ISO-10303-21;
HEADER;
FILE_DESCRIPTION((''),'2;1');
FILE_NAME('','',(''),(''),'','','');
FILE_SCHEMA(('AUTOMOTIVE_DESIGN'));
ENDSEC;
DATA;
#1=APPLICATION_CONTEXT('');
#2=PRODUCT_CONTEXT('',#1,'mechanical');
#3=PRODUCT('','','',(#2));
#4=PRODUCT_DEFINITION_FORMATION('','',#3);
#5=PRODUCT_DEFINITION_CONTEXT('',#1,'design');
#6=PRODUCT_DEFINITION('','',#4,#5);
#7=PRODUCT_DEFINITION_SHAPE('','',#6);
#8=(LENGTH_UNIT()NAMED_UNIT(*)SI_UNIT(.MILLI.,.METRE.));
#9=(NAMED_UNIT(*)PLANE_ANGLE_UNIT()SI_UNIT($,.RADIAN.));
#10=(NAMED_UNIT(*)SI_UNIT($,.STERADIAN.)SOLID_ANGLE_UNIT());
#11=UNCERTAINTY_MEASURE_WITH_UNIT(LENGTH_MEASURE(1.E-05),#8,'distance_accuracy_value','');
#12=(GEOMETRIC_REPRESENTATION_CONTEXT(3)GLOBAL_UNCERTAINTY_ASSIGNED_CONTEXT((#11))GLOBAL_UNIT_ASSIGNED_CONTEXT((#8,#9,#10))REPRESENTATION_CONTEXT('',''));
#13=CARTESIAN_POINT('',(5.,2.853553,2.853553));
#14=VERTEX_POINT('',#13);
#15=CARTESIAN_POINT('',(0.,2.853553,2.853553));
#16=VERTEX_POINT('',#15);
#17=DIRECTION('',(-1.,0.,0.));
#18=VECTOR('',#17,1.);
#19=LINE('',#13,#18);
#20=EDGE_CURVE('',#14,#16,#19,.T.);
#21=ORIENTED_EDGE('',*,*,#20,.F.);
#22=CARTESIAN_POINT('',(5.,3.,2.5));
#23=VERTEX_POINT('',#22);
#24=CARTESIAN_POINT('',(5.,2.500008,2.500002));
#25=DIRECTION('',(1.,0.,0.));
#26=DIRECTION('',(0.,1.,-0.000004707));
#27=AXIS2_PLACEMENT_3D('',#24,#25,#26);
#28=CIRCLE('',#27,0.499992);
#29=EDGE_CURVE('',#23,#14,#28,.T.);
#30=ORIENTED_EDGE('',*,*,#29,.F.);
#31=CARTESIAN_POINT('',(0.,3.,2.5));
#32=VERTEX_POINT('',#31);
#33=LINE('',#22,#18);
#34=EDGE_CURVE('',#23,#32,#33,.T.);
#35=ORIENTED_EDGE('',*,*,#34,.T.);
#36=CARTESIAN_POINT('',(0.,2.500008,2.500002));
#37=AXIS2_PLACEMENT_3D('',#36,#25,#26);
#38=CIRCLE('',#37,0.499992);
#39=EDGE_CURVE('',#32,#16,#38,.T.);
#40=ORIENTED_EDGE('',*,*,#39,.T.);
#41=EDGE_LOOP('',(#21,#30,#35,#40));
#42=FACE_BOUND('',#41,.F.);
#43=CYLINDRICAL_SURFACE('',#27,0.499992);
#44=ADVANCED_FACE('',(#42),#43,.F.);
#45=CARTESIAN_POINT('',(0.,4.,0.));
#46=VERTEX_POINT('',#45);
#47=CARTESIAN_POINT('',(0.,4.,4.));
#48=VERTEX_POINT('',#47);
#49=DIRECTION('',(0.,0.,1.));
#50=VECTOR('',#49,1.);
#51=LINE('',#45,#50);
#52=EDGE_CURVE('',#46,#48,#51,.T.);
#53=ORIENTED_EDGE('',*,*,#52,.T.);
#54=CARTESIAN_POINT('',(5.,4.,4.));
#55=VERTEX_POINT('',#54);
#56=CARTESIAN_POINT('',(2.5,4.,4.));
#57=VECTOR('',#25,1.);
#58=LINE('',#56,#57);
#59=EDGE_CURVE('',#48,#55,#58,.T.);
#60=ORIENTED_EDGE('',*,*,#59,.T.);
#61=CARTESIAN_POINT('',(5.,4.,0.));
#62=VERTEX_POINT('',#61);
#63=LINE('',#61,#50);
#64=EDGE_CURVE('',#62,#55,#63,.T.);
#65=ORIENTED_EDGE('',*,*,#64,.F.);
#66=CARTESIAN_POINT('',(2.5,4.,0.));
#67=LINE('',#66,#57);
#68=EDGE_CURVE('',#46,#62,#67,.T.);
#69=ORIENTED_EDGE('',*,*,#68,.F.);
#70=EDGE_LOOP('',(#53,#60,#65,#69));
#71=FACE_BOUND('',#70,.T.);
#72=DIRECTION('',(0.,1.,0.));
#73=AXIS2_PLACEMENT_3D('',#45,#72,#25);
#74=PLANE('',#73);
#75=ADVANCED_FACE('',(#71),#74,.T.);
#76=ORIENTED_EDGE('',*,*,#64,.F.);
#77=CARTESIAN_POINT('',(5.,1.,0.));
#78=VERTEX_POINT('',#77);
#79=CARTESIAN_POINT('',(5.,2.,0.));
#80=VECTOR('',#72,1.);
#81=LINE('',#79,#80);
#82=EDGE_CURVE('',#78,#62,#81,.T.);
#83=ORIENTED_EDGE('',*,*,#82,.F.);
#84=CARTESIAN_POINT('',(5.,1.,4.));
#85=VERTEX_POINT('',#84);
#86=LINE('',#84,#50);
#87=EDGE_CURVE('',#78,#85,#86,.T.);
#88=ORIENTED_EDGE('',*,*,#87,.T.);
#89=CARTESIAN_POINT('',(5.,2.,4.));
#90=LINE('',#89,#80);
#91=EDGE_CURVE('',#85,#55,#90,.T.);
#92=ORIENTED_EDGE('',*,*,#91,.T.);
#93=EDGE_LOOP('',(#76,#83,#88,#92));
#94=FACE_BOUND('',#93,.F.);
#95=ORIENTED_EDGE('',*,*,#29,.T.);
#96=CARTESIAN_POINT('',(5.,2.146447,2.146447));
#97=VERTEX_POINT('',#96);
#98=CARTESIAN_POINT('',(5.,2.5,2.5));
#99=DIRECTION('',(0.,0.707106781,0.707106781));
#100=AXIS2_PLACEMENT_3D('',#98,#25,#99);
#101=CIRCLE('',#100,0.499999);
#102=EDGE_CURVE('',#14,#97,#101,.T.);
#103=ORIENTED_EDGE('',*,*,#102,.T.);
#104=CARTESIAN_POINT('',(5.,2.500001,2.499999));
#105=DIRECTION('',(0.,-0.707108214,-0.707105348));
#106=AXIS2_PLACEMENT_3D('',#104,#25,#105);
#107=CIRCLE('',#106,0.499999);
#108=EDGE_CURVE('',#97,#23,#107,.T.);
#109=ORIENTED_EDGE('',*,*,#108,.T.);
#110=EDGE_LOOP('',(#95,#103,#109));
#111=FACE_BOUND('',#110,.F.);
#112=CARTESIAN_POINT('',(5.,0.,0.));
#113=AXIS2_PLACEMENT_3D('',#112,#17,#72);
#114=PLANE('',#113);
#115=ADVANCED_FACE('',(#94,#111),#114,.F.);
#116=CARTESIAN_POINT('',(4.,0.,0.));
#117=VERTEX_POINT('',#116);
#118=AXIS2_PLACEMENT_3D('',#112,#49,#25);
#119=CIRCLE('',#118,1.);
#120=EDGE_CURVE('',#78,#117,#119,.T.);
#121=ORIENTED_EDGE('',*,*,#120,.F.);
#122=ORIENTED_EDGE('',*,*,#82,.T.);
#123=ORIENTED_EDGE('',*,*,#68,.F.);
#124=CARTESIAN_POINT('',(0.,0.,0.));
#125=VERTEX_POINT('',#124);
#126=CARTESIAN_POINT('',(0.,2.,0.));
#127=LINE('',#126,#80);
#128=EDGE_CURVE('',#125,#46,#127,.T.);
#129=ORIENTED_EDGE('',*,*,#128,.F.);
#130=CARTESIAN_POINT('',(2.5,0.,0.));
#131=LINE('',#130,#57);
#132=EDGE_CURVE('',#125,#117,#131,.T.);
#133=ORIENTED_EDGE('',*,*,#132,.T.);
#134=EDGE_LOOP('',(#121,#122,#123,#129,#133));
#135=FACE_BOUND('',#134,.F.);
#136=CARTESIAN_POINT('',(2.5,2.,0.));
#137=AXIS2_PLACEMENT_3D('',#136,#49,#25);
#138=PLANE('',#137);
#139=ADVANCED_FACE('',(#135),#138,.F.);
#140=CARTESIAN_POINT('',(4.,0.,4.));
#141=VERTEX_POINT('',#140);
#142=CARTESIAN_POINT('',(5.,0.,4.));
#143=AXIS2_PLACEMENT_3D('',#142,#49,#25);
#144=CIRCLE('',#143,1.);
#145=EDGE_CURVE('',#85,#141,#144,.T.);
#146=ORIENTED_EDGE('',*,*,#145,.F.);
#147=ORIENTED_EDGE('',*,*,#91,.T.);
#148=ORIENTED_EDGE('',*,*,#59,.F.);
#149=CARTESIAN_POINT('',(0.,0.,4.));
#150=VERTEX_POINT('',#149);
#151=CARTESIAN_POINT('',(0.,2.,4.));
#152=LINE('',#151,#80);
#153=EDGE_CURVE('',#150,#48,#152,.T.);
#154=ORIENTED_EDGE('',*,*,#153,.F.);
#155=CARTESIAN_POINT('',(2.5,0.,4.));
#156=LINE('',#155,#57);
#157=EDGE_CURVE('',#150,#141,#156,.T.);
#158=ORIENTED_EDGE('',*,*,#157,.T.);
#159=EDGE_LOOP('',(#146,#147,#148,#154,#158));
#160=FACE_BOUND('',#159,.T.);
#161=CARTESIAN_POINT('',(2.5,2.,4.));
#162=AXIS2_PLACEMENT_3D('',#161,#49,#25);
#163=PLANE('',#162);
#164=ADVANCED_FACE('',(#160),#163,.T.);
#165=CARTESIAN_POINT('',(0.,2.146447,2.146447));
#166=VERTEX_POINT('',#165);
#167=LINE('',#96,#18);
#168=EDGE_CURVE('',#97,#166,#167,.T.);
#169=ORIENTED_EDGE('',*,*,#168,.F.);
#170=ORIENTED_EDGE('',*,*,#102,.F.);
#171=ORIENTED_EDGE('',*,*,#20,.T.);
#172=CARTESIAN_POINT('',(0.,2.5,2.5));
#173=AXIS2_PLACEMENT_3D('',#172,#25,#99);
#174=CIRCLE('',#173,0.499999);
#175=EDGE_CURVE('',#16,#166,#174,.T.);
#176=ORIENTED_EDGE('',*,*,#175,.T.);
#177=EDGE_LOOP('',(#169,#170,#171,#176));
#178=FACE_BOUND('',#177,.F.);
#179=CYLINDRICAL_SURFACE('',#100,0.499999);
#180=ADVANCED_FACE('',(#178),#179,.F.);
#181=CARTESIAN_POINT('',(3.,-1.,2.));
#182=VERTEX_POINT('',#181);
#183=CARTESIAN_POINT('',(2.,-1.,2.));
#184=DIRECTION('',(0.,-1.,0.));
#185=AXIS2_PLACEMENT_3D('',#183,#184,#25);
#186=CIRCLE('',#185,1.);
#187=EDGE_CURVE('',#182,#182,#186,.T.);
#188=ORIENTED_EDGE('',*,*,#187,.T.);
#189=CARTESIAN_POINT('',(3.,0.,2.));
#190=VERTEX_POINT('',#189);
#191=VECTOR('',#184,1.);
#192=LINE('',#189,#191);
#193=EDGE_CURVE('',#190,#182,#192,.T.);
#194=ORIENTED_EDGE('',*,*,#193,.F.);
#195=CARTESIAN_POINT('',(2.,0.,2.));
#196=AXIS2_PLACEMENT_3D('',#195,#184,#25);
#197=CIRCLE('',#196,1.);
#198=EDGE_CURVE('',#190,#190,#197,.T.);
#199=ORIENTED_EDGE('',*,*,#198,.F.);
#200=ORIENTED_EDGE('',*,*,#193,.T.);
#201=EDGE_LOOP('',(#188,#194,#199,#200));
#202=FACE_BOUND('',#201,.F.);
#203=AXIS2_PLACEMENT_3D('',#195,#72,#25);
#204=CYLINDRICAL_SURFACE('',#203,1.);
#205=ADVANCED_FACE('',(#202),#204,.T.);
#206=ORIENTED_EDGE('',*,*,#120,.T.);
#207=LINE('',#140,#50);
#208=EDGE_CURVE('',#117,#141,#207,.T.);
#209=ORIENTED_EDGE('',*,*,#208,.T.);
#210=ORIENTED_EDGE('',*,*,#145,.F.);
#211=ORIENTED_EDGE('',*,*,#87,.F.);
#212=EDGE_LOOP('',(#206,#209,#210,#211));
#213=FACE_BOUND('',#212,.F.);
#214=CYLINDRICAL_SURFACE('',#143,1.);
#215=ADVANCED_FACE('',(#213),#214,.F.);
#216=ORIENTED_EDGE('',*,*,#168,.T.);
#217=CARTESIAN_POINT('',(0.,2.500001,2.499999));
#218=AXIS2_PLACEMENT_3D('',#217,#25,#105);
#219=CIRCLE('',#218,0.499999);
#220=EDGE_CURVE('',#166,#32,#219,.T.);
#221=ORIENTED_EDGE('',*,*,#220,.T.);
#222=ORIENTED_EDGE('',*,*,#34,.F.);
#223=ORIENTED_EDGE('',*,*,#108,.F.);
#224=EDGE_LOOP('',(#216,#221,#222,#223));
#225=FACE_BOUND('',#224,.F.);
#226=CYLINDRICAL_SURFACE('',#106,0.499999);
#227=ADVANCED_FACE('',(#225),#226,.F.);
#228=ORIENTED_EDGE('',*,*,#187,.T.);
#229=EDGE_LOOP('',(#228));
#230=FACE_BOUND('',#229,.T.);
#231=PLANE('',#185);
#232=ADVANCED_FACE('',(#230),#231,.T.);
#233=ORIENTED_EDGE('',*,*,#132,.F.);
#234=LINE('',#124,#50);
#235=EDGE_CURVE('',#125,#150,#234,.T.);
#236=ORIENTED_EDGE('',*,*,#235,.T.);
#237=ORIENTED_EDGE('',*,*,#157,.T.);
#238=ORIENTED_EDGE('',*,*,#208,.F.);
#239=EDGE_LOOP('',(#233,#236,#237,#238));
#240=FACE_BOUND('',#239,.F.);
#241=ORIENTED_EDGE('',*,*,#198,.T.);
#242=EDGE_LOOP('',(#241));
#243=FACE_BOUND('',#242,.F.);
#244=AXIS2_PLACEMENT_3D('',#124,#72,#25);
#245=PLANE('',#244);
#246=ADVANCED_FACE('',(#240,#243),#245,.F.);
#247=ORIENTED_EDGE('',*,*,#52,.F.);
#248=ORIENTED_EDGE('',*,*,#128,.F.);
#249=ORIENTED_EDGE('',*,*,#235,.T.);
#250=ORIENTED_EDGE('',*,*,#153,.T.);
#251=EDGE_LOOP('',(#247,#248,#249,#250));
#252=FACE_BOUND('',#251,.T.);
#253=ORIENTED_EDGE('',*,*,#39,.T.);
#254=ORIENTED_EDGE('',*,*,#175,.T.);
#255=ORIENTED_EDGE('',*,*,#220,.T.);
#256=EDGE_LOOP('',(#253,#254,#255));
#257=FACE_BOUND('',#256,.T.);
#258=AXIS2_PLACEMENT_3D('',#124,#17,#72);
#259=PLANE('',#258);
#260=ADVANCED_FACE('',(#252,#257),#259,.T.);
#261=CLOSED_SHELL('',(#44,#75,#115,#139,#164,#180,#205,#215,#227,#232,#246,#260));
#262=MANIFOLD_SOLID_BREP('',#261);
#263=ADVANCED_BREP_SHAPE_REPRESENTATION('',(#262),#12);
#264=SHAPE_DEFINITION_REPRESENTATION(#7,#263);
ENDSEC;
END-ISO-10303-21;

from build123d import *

# Parameters (mm, degrees)
F0_W     = 5
F0_H     = 4
F1_DEPTH = 4
F4_R     = 1
F5_DEPTH = 25
F6_R     = 1
F7_DEPTH = 1
F9_DEPTH = 25


with BuildPart() as f1:
    # F0 (on Top) → F1 (new body)
    with BuildSketch(Plane.XY):
        with Locations((2.5, 2)):
            Rectangle(F0_W, F0_H)
    extrude(amount=F1_DEPTH)

    # F4 (on face) → F5 (cut)
    with BuildSketch(Plane.XY.offset(4)):
        with Locations((5, 0)):
            Circle(F4_R)
    extrude(amount=-F5_DEPTH, mode=Mode.SUBTRACT)

    # F6 (on face) → F7 (join)
    with BuildSketch(Plane.XZ):
        with Locations((2, 2)):
            Circle(F6_R)
    extrude(amount=F7_DEPTH)

    # F8 (on face) → F9 (cut)
    with BuildSketch(Plane.YZ.offset(5)):
        with BuildLine():
            ThreePointArc((3, 2.5), (2.96194, 2.691342), (2.853553, 2.853553))
            Line((2.853553, 2.853553), (2.146447, 2.146447))
            ThreePointArc((2.146447, 2.146447), (2.691342, 2.03806), (3, 2.5))
        make_face()
        with BuildLine():
            Line((2.146447, 2.146447), (2.853553, 2.853553))
            ThreePointArc((2.853553, 2.853553), (2.146447, 2.853553), (2.146447, 2.146447))
        make_face()
    extrude(amount=-F9_DEPTH, mode=Mode.SUBTRACT)


solid = f1.part
